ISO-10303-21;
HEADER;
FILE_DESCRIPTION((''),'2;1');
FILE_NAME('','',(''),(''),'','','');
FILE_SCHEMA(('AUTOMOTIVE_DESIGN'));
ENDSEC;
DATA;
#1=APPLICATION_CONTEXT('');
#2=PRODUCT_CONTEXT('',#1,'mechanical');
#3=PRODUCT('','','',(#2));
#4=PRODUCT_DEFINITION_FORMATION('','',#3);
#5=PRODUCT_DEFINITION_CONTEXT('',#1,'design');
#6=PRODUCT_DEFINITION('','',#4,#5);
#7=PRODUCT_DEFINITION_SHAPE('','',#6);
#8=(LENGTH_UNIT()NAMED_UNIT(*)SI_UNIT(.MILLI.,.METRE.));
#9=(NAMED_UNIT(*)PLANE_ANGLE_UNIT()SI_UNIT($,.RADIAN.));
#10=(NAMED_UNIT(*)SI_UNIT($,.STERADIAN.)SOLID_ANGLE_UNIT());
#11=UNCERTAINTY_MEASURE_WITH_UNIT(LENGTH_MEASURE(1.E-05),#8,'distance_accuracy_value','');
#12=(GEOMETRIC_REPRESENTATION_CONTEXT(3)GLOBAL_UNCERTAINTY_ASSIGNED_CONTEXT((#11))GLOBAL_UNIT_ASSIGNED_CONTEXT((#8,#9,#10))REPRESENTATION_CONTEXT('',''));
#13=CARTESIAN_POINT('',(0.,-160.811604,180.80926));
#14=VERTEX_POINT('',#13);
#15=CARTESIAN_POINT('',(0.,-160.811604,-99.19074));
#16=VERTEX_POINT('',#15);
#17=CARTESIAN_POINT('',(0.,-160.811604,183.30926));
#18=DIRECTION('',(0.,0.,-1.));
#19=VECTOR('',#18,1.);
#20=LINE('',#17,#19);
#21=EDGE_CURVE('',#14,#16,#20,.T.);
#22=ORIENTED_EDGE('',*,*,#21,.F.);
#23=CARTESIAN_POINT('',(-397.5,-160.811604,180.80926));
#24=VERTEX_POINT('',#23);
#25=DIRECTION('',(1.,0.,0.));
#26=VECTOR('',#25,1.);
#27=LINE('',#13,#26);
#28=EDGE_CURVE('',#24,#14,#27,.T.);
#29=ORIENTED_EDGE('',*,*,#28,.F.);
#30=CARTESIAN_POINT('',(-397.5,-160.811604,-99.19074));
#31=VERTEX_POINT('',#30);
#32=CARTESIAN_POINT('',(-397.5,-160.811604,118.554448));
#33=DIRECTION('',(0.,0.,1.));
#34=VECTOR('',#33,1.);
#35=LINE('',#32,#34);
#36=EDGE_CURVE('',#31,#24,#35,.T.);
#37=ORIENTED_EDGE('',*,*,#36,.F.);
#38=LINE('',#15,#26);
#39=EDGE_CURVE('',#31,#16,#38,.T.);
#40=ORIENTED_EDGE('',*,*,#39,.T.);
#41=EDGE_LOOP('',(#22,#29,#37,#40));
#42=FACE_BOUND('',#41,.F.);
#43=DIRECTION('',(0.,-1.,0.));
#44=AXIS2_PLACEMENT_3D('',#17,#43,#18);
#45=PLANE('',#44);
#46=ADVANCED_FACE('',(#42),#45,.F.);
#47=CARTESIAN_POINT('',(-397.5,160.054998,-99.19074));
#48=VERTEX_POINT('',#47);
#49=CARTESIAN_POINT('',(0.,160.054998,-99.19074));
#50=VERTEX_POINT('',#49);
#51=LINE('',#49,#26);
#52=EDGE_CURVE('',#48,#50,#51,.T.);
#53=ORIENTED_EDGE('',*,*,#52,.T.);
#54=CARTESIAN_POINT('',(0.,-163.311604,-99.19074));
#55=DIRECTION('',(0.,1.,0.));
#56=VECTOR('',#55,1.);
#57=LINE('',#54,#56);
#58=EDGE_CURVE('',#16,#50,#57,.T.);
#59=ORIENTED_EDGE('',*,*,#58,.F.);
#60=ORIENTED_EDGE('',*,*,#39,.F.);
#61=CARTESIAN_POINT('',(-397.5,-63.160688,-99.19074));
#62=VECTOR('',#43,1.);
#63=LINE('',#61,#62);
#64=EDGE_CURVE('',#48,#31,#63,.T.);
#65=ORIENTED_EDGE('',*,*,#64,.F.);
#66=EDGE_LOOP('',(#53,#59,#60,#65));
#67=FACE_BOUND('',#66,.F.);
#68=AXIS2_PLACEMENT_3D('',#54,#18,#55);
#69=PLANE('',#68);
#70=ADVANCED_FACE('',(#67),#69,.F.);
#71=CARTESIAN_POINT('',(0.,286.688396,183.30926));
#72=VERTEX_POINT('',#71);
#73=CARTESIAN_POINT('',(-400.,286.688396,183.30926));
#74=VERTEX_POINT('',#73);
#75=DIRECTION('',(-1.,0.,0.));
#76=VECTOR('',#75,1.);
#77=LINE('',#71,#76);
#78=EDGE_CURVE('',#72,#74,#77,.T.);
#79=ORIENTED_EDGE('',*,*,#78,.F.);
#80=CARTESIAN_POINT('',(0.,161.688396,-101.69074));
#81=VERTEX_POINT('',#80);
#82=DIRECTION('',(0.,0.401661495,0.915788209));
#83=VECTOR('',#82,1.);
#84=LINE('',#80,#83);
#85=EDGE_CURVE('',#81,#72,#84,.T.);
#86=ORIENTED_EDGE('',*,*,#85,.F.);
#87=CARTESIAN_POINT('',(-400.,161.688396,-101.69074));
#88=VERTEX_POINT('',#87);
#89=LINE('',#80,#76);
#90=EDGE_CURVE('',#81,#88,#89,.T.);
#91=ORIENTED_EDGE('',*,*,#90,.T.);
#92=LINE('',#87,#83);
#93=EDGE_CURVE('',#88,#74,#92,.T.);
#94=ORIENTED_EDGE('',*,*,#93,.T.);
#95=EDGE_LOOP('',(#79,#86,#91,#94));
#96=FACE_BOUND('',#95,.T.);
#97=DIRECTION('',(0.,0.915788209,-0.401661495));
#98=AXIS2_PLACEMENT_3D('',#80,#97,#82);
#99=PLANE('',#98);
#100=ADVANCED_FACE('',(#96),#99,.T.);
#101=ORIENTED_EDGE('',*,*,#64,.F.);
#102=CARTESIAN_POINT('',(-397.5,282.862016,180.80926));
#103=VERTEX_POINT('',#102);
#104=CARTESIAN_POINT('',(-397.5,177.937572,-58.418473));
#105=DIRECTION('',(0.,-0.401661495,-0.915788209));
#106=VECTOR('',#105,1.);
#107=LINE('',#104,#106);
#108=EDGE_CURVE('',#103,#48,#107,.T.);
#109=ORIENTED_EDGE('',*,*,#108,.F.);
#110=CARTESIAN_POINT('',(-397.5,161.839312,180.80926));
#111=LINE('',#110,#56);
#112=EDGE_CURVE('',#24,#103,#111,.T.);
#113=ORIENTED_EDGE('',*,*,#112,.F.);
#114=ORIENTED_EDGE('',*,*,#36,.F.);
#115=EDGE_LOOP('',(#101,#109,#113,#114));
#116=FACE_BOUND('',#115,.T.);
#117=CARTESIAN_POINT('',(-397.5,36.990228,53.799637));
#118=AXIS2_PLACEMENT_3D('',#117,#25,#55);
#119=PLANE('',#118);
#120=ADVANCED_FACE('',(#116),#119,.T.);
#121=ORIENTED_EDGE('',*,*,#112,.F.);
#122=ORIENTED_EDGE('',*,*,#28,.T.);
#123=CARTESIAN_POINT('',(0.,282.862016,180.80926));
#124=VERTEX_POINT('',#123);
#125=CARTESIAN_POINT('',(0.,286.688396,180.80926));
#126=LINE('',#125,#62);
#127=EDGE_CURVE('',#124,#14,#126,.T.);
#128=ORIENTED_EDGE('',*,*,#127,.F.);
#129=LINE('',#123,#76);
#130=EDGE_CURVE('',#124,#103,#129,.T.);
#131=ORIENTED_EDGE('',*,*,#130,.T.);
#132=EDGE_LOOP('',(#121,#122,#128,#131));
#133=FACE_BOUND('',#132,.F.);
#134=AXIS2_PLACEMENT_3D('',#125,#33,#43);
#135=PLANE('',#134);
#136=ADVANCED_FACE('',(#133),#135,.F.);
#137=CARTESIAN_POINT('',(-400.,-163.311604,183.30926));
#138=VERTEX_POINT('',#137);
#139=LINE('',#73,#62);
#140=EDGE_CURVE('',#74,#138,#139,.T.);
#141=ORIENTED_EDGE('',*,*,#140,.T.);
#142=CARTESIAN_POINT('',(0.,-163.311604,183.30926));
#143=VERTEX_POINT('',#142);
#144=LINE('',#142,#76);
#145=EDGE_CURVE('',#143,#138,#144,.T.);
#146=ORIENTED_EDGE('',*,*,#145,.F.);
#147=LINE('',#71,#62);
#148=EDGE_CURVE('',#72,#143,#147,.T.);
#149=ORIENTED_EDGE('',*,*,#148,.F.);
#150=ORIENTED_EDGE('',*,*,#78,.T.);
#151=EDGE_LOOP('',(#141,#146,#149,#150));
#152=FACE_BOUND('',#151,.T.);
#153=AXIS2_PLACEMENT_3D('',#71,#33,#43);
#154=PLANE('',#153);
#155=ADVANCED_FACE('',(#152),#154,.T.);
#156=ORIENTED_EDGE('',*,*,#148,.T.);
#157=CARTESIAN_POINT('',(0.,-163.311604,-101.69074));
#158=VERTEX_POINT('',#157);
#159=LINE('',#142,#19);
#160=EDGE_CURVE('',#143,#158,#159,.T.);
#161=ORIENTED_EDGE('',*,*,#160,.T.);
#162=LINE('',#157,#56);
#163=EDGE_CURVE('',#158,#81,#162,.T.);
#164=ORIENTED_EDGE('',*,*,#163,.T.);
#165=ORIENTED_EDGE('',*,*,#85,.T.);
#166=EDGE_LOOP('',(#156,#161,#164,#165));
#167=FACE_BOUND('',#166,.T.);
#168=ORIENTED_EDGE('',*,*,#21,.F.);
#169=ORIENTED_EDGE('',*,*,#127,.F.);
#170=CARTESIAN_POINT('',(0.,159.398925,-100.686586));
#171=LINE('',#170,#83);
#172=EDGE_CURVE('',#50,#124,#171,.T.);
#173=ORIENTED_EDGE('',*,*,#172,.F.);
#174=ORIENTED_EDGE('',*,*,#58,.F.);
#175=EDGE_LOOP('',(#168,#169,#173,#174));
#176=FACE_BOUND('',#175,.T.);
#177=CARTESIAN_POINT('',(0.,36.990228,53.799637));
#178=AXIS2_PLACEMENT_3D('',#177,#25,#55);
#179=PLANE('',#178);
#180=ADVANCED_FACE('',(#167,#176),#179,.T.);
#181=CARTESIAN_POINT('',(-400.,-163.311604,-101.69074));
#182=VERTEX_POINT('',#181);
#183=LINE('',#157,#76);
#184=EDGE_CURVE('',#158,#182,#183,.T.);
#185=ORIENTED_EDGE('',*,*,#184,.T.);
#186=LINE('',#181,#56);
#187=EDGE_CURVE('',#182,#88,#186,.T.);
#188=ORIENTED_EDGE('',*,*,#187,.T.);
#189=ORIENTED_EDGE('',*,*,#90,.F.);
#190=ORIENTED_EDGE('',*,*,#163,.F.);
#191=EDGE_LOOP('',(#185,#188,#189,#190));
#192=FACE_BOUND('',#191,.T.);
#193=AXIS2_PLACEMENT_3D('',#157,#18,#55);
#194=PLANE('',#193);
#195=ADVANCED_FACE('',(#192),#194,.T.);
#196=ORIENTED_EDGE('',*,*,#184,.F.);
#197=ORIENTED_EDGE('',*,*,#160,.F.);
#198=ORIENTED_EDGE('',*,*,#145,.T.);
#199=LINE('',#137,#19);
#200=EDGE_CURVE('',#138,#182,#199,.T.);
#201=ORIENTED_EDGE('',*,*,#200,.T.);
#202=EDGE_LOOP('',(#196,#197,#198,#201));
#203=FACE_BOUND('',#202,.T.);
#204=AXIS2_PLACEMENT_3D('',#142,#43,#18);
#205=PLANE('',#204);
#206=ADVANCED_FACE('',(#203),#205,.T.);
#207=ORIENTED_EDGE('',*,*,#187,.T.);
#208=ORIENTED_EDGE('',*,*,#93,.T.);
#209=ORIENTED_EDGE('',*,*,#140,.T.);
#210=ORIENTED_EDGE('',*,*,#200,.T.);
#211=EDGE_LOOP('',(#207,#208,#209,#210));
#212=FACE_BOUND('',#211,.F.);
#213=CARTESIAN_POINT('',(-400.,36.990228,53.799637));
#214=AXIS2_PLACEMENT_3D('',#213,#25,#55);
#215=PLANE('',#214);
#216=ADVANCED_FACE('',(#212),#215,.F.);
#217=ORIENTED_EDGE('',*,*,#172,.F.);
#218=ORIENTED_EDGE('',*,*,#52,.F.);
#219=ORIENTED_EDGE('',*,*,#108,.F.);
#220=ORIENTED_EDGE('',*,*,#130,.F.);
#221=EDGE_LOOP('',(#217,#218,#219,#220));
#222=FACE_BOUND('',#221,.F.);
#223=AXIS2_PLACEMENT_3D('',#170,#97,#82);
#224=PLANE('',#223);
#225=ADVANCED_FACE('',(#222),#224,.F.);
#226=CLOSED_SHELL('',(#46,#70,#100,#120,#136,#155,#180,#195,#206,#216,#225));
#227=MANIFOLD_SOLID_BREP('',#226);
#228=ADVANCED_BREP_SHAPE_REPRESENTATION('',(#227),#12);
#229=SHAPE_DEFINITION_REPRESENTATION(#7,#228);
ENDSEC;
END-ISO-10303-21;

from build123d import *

# Parameters (mm, degrees)
F1_DEPTH = 400
F2_T     = -2.5


with BuildPart() as f1:
    # F0 (on Right) → F1 (new body)
    with BuildSketch(Plane.YZ):
        Polygon((286.688396, 183.30926), (-163.311604, 183.30926), (-163.311604, -101.69074), (161.688396, -101.69074), align=None)
    extrude(amount=-F1_DEPTH)

    # F2
    f2_openings = [f1.faces().sort_by_distance(p)[0] for p in [
        (0, 32.118504, 48.470551),
    ]]
    offset(amount=F2_T, openings=f2_openings)


solid = f1.part
